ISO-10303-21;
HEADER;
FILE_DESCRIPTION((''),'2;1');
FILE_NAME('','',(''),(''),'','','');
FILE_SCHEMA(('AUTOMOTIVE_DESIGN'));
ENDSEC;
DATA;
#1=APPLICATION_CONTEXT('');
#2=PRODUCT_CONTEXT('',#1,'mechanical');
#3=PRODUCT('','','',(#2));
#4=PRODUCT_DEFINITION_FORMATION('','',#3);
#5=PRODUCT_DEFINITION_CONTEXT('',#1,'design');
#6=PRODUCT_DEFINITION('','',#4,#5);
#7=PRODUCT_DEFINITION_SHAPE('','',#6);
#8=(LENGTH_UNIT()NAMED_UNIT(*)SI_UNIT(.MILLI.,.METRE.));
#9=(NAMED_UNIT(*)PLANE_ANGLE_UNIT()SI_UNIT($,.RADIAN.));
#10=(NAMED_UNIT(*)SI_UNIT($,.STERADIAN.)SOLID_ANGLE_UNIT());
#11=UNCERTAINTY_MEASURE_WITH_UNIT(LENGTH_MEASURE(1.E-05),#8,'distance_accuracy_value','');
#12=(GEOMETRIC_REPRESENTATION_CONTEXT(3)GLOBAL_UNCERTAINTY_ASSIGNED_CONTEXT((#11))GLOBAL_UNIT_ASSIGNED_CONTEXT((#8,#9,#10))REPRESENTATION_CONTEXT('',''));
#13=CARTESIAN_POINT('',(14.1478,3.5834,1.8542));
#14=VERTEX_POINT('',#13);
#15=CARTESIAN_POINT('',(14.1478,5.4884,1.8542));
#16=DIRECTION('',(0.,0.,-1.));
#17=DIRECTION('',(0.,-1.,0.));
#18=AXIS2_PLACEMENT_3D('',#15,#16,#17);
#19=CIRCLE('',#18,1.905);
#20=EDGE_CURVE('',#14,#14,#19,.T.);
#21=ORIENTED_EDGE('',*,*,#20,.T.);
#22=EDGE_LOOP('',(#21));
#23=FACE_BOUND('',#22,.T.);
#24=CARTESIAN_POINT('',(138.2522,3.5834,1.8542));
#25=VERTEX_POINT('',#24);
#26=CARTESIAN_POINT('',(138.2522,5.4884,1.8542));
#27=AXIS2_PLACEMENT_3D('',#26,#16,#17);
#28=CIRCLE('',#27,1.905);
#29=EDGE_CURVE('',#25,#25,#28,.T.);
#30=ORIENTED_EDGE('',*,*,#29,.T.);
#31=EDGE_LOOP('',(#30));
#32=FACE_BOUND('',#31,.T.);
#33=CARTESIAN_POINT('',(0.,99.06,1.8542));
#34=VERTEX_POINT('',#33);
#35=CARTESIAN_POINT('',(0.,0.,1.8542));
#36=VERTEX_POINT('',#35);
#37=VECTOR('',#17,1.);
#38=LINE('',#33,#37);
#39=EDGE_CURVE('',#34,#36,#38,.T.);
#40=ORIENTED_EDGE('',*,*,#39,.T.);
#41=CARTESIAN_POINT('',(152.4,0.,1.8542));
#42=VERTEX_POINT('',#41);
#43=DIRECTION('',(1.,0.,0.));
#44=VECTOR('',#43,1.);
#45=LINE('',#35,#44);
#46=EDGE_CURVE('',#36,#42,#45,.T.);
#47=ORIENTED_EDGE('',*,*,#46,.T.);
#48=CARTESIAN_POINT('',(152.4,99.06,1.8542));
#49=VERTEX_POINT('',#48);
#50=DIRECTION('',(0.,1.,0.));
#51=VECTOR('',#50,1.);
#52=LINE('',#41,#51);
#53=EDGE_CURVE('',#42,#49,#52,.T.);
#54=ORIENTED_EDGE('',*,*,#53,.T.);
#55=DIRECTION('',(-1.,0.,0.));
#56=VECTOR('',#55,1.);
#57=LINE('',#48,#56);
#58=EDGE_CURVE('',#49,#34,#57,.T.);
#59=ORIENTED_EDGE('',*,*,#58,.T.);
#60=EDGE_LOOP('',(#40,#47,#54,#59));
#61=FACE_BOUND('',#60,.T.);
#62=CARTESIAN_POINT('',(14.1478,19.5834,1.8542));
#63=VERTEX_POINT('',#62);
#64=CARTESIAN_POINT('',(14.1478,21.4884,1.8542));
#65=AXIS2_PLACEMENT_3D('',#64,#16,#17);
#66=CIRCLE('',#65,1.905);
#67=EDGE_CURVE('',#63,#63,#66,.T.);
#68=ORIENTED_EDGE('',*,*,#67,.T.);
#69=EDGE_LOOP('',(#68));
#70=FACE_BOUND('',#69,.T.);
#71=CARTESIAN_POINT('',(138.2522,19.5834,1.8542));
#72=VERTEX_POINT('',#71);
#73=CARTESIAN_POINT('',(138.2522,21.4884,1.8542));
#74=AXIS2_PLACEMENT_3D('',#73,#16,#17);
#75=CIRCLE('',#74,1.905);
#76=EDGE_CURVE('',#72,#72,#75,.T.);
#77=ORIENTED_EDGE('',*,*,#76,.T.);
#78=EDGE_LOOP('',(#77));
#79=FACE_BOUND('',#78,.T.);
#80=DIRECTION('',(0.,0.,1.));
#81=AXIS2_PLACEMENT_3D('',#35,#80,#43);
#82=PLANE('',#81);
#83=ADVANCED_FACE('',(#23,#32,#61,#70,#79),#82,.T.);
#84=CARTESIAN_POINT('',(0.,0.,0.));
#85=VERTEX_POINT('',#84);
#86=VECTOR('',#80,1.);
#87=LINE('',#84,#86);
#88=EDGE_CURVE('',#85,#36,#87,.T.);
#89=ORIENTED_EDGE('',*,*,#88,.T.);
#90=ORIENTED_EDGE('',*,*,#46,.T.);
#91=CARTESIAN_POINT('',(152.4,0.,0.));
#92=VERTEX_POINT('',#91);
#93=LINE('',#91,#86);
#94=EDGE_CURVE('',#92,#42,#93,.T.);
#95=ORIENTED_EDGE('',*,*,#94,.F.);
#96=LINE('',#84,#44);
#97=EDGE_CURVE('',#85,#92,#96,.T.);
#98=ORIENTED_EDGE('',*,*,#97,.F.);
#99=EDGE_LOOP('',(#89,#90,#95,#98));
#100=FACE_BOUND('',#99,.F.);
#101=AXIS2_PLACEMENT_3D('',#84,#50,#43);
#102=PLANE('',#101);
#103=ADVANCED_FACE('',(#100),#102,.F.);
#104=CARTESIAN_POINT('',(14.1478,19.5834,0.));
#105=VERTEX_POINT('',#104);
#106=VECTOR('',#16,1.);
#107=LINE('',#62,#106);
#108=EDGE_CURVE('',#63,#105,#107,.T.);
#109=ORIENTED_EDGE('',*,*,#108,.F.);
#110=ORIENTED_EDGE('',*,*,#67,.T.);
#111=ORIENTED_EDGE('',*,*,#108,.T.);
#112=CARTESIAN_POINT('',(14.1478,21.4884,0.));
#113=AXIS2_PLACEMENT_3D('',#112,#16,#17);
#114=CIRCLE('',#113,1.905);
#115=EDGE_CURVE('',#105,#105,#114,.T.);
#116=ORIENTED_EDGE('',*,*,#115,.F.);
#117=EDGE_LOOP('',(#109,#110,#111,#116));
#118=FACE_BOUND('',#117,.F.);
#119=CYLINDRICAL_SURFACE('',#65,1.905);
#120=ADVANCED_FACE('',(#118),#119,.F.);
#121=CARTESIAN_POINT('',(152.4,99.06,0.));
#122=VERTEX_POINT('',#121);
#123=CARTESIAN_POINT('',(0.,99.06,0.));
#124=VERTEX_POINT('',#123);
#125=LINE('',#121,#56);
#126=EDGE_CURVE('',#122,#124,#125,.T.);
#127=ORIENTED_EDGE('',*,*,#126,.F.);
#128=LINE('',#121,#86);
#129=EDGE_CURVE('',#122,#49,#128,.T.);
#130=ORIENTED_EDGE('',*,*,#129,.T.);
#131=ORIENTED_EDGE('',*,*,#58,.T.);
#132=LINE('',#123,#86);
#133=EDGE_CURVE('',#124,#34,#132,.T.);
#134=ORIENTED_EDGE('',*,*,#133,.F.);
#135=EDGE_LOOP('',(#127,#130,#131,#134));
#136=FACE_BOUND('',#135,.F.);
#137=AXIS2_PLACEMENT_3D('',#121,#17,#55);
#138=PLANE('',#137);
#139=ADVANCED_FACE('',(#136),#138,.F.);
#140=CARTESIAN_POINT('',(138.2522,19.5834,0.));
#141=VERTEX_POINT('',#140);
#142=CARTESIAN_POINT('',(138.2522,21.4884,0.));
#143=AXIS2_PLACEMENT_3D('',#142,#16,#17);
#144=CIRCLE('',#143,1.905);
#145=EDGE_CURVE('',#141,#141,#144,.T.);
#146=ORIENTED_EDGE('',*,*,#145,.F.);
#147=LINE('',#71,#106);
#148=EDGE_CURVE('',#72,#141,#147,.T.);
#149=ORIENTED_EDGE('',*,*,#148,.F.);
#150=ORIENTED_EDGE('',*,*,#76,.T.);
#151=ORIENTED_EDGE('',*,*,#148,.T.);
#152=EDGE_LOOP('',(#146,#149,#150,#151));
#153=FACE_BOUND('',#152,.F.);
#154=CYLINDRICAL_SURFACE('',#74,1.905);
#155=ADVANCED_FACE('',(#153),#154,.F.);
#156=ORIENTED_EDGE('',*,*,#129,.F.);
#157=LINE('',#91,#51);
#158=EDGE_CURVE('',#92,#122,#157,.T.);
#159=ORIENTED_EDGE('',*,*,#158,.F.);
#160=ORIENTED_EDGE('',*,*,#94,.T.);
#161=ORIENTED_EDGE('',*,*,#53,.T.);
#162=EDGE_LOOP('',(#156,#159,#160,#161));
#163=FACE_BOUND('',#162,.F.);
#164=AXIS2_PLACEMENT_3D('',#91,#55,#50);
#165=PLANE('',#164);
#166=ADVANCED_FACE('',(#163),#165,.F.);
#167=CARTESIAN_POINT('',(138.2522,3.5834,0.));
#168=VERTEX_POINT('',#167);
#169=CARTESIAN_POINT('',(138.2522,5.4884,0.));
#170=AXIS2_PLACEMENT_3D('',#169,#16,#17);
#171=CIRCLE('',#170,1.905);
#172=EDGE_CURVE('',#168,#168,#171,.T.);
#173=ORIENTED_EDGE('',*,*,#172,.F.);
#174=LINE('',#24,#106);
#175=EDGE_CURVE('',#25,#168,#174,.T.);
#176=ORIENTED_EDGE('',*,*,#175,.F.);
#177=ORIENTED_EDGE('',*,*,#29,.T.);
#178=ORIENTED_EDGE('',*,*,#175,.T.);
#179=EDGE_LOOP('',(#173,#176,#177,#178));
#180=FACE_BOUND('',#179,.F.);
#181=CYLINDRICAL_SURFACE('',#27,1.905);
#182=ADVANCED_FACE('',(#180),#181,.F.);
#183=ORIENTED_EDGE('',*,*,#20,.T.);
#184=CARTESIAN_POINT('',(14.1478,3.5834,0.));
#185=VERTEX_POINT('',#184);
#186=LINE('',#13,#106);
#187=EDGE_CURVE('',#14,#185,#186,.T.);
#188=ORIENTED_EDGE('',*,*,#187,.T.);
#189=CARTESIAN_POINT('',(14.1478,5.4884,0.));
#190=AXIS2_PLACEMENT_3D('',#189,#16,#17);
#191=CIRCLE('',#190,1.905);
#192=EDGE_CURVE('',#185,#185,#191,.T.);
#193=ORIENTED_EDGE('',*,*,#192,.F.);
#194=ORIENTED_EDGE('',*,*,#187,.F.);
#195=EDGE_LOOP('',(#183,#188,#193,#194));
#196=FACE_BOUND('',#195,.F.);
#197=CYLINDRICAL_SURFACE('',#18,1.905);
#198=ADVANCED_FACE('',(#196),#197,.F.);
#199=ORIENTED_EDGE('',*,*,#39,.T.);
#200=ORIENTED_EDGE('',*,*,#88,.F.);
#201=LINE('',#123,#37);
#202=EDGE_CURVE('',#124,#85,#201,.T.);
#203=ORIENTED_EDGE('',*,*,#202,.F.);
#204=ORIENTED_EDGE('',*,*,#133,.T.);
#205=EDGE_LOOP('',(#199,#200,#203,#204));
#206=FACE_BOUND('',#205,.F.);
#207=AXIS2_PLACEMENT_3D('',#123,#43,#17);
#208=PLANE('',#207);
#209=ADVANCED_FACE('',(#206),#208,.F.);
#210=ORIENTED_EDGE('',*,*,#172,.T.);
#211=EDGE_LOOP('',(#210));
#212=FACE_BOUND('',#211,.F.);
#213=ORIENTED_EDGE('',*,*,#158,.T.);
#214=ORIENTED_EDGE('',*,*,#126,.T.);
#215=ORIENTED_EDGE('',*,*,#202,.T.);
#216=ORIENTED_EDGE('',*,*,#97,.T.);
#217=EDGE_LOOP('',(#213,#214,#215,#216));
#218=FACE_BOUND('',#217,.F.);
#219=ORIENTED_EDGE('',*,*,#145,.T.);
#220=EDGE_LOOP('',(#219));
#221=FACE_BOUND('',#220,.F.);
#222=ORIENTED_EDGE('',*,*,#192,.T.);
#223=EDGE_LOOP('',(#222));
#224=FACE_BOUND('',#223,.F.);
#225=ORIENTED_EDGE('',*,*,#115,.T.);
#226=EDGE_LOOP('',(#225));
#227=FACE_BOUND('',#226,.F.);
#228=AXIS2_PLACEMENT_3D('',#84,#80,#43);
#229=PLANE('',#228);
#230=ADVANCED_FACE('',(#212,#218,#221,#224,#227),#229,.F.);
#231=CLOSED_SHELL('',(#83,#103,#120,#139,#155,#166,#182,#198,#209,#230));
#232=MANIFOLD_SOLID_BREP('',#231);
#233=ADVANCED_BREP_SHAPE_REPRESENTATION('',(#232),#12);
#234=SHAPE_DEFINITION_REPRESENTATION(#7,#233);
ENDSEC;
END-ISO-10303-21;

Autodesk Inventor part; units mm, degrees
ref_plane "YZ Plane" through (0, 0, 0) normal (1, 0, 0) x (0, 1, 0)
ref_plane "XZ Plane" through (0, 0, 0) normal (0, 1, 0) x (-1, 0, 0)
ref_plane "XY Plane" through (0, 0, 0) normal (0, 0, 1) x (1, 0, 0)
sketch "Sketch1" plane through (0, 0, 0) normal (0, 0, 1) x (1, 0, 0)
  line L0 (0, 0) -> (152.4, 0)
  line L1 (152.4, 0) -> (152.4, 99.06)
  line L2 (152.4, 99.06) -> (0, 99.06)
  line L3 (0, 99.06) -> (0, 0)
  dimension "d0" = 152.4
  dimension "d1" = 99.06
extrude "Extrusion1" add sketch "Sketch1" along normal blind 1.8542
sketch "Sketch2" plane through (0, 0, 1.8542) normal (0, 0, 1) x (1, 0, 0)
  line L0 (0, 99.06) -> (0, 0) projected
  line L1 (152.4, 99.06) -> (0, 99.06) projected
  line L2 (152.4, 0) -> (152.4, 99.06) projected
  point P0 (14.1478, 21.4884)
  point P1 (14.1478, 5.4884)
  point P2 (138.2522, 21.4884)
  point P3 (138.2522, 5.4884)
  dimension "d4" = 16
  dimension "d5" = 14.1478
  dimension "d6" = 14.1478
  dimension "d7" = 77.5716
  dimension "d8" = 16
  dimension "d9" = 14.1478
  dimension "d10" = 14.1478
  dimension "d11" = 77.5716
hole "Hole1" at (14.1478, 21.4884, 1.8542) at (14.1478, 5.4884, 1.8542) at (138.2522, 21.4884, 1.8542) at (138.2522, 5.4884, 1.8542) direction (0, 0, -1) diameter 3.81 depth 10.9728 tip angle 118
equation "\"d6\" = d5"
equation "\"d8\" = d4"
equation "\"d9\" = d5"
equation "\"d10\" = d5"
equation "\"d11\" = d7"
properties part number "PaddleCollection2.1Backing" material "Polycarbonate, Clear"
